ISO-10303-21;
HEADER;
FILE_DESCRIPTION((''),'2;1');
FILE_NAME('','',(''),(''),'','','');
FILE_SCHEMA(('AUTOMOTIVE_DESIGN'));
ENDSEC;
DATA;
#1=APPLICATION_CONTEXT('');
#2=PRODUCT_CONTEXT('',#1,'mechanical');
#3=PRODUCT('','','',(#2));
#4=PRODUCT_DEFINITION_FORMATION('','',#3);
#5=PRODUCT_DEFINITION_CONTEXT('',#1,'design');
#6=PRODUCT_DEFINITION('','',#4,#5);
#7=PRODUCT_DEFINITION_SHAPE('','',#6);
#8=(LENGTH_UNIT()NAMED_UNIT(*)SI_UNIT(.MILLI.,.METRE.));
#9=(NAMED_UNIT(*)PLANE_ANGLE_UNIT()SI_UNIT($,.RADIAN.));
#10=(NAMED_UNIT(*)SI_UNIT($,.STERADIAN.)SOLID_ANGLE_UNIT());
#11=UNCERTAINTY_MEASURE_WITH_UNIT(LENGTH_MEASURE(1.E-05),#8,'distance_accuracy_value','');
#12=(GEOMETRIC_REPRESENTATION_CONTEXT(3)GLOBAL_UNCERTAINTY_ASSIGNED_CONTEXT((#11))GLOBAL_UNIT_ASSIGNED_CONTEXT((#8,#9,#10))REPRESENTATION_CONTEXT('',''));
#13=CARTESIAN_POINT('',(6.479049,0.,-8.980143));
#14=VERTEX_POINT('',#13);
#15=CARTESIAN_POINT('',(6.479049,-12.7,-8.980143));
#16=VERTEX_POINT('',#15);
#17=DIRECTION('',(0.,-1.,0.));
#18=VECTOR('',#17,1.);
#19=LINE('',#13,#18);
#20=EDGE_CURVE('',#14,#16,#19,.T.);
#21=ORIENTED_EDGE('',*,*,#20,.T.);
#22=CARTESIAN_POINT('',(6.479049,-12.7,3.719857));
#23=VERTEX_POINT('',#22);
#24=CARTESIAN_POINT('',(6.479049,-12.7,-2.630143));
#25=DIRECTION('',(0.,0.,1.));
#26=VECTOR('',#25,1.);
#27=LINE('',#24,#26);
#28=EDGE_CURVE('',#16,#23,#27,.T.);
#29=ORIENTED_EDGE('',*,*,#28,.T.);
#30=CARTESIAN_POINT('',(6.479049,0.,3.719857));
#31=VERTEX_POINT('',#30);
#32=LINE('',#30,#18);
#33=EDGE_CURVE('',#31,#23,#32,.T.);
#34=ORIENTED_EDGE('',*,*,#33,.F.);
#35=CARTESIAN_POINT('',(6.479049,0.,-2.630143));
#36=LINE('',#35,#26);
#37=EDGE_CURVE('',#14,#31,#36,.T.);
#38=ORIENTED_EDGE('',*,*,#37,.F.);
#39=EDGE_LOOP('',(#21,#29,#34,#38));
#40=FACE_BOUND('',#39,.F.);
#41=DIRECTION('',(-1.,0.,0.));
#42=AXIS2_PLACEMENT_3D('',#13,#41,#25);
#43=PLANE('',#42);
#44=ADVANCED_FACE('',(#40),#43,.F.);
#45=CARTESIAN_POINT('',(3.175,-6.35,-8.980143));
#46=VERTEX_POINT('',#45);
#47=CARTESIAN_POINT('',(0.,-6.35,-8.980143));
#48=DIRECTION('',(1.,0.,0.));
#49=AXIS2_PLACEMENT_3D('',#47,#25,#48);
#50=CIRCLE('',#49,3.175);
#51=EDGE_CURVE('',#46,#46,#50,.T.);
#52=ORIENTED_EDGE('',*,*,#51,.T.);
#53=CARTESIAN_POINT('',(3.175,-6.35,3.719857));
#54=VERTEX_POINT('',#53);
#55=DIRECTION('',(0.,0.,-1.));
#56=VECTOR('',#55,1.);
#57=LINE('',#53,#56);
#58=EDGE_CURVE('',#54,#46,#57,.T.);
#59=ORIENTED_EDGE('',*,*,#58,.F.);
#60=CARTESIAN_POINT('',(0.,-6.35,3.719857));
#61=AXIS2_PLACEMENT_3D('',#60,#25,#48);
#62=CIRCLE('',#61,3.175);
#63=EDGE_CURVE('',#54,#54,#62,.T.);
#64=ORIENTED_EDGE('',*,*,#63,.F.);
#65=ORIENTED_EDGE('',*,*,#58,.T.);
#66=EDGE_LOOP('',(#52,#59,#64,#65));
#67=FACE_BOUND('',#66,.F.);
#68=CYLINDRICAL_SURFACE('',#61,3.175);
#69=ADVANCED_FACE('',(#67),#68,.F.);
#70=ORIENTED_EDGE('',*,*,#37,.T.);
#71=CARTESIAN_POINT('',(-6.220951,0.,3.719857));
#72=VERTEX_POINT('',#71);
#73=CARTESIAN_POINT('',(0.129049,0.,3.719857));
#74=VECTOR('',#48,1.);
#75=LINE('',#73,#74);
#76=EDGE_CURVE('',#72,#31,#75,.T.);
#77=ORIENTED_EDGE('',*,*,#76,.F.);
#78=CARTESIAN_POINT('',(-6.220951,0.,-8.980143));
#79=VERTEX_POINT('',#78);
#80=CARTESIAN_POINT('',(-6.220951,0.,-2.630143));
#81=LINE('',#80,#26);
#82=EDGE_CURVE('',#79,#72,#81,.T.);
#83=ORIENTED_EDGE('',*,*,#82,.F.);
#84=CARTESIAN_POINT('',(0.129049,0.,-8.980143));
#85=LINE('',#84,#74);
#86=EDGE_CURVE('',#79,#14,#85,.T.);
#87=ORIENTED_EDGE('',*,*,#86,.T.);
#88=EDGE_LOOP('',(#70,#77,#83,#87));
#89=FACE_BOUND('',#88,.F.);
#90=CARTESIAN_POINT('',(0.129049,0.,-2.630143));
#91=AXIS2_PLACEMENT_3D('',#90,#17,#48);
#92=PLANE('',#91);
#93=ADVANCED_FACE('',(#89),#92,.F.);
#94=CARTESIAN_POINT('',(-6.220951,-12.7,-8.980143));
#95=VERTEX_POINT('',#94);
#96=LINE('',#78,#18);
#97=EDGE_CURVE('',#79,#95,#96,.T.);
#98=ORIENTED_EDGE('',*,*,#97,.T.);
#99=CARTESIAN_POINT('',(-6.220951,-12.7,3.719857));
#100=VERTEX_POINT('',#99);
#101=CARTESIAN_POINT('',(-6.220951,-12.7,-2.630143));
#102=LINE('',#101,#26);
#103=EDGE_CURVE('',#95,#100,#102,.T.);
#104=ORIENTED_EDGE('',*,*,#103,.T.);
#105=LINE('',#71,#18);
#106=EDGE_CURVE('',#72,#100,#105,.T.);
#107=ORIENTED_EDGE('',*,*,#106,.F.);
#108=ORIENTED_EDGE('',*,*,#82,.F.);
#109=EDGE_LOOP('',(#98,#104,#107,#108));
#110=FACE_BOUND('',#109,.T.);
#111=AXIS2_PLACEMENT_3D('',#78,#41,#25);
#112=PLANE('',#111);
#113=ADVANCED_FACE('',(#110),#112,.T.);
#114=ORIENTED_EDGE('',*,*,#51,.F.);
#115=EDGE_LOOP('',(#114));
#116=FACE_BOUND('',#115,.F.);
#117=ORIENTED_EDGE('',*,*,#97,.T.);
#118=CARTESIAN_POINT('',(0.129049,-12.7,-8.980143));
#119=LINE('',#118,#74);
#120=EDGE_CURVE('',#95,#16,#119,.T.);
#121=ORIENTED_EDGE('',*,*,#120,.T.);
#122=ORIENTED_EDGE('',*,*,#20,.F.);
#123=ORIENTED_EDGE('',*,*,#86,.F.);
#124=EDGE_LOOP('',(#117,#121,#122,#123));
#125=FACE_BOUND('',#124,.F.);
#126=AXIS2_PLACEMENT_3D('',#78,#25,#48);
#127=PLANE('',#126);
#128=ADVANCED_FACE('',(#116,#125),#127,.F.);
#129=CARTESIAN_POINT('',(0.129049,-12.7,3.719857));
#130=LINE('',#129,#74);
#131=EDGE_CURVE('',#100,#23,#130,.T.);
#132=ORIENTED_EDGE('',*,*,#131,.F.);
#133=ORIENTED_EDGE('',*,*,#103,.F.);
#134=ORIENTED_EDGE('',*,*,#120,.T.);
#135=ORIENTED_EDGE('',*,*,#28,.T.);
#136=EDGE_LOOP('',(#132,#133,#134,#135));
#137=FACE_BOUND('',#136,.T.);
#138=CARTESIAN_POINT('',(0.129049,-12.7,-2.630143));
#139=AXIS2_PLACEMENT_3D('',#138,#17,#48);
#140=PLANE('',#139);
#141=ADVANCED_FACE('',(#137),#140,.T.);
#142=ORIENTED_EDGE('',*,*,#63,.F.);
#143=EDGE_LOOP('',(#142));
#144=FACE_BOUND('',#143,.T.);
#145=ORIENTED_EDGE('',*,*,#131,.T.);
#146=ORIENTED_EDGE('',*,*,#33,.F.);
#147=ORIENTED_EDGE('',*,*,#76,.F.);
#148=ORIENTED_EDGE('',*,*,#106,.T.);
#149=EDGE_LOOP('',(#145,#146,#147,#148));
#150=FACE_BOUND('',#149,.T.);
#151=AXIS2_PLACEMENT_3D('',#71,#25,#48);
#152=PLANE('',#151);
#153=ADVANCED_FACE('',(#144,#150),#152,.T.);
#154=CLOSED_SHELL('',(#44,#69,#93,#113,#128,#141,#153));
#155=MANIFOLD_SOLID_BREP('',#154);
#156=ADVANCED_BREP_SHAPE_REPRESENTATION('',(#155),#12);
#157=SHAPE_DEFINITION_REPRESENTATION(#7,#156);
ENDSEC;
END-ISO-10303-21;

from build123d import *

# Parameters (mm, degrees)
F0_W     = 12.7
F0_H     = 12.7
F1_DEPTH = 12.7
F2_R     = 3.175
F3_DEPTH = 15.24


with BuildPart() as f1:
    # F0 (on Front) → F1 (new body)
    with BuildSketch(Plane.XZ):
        with Locations((0.129049, -2.630143)):
            Rectangle(F0_W, F0_H)
    extrude(amount=F1_DEPTH)

    # F2 (on face) → F3 (cut)
    with BuildSketch(Plane.XY.offset(3.719857)):
        with Locations((0, -6.35)):
            Circle(F2_R)
    extrude(amount=-F3_DEPTH, mode=Mode.SUBTRACT)


solid = f1.part
